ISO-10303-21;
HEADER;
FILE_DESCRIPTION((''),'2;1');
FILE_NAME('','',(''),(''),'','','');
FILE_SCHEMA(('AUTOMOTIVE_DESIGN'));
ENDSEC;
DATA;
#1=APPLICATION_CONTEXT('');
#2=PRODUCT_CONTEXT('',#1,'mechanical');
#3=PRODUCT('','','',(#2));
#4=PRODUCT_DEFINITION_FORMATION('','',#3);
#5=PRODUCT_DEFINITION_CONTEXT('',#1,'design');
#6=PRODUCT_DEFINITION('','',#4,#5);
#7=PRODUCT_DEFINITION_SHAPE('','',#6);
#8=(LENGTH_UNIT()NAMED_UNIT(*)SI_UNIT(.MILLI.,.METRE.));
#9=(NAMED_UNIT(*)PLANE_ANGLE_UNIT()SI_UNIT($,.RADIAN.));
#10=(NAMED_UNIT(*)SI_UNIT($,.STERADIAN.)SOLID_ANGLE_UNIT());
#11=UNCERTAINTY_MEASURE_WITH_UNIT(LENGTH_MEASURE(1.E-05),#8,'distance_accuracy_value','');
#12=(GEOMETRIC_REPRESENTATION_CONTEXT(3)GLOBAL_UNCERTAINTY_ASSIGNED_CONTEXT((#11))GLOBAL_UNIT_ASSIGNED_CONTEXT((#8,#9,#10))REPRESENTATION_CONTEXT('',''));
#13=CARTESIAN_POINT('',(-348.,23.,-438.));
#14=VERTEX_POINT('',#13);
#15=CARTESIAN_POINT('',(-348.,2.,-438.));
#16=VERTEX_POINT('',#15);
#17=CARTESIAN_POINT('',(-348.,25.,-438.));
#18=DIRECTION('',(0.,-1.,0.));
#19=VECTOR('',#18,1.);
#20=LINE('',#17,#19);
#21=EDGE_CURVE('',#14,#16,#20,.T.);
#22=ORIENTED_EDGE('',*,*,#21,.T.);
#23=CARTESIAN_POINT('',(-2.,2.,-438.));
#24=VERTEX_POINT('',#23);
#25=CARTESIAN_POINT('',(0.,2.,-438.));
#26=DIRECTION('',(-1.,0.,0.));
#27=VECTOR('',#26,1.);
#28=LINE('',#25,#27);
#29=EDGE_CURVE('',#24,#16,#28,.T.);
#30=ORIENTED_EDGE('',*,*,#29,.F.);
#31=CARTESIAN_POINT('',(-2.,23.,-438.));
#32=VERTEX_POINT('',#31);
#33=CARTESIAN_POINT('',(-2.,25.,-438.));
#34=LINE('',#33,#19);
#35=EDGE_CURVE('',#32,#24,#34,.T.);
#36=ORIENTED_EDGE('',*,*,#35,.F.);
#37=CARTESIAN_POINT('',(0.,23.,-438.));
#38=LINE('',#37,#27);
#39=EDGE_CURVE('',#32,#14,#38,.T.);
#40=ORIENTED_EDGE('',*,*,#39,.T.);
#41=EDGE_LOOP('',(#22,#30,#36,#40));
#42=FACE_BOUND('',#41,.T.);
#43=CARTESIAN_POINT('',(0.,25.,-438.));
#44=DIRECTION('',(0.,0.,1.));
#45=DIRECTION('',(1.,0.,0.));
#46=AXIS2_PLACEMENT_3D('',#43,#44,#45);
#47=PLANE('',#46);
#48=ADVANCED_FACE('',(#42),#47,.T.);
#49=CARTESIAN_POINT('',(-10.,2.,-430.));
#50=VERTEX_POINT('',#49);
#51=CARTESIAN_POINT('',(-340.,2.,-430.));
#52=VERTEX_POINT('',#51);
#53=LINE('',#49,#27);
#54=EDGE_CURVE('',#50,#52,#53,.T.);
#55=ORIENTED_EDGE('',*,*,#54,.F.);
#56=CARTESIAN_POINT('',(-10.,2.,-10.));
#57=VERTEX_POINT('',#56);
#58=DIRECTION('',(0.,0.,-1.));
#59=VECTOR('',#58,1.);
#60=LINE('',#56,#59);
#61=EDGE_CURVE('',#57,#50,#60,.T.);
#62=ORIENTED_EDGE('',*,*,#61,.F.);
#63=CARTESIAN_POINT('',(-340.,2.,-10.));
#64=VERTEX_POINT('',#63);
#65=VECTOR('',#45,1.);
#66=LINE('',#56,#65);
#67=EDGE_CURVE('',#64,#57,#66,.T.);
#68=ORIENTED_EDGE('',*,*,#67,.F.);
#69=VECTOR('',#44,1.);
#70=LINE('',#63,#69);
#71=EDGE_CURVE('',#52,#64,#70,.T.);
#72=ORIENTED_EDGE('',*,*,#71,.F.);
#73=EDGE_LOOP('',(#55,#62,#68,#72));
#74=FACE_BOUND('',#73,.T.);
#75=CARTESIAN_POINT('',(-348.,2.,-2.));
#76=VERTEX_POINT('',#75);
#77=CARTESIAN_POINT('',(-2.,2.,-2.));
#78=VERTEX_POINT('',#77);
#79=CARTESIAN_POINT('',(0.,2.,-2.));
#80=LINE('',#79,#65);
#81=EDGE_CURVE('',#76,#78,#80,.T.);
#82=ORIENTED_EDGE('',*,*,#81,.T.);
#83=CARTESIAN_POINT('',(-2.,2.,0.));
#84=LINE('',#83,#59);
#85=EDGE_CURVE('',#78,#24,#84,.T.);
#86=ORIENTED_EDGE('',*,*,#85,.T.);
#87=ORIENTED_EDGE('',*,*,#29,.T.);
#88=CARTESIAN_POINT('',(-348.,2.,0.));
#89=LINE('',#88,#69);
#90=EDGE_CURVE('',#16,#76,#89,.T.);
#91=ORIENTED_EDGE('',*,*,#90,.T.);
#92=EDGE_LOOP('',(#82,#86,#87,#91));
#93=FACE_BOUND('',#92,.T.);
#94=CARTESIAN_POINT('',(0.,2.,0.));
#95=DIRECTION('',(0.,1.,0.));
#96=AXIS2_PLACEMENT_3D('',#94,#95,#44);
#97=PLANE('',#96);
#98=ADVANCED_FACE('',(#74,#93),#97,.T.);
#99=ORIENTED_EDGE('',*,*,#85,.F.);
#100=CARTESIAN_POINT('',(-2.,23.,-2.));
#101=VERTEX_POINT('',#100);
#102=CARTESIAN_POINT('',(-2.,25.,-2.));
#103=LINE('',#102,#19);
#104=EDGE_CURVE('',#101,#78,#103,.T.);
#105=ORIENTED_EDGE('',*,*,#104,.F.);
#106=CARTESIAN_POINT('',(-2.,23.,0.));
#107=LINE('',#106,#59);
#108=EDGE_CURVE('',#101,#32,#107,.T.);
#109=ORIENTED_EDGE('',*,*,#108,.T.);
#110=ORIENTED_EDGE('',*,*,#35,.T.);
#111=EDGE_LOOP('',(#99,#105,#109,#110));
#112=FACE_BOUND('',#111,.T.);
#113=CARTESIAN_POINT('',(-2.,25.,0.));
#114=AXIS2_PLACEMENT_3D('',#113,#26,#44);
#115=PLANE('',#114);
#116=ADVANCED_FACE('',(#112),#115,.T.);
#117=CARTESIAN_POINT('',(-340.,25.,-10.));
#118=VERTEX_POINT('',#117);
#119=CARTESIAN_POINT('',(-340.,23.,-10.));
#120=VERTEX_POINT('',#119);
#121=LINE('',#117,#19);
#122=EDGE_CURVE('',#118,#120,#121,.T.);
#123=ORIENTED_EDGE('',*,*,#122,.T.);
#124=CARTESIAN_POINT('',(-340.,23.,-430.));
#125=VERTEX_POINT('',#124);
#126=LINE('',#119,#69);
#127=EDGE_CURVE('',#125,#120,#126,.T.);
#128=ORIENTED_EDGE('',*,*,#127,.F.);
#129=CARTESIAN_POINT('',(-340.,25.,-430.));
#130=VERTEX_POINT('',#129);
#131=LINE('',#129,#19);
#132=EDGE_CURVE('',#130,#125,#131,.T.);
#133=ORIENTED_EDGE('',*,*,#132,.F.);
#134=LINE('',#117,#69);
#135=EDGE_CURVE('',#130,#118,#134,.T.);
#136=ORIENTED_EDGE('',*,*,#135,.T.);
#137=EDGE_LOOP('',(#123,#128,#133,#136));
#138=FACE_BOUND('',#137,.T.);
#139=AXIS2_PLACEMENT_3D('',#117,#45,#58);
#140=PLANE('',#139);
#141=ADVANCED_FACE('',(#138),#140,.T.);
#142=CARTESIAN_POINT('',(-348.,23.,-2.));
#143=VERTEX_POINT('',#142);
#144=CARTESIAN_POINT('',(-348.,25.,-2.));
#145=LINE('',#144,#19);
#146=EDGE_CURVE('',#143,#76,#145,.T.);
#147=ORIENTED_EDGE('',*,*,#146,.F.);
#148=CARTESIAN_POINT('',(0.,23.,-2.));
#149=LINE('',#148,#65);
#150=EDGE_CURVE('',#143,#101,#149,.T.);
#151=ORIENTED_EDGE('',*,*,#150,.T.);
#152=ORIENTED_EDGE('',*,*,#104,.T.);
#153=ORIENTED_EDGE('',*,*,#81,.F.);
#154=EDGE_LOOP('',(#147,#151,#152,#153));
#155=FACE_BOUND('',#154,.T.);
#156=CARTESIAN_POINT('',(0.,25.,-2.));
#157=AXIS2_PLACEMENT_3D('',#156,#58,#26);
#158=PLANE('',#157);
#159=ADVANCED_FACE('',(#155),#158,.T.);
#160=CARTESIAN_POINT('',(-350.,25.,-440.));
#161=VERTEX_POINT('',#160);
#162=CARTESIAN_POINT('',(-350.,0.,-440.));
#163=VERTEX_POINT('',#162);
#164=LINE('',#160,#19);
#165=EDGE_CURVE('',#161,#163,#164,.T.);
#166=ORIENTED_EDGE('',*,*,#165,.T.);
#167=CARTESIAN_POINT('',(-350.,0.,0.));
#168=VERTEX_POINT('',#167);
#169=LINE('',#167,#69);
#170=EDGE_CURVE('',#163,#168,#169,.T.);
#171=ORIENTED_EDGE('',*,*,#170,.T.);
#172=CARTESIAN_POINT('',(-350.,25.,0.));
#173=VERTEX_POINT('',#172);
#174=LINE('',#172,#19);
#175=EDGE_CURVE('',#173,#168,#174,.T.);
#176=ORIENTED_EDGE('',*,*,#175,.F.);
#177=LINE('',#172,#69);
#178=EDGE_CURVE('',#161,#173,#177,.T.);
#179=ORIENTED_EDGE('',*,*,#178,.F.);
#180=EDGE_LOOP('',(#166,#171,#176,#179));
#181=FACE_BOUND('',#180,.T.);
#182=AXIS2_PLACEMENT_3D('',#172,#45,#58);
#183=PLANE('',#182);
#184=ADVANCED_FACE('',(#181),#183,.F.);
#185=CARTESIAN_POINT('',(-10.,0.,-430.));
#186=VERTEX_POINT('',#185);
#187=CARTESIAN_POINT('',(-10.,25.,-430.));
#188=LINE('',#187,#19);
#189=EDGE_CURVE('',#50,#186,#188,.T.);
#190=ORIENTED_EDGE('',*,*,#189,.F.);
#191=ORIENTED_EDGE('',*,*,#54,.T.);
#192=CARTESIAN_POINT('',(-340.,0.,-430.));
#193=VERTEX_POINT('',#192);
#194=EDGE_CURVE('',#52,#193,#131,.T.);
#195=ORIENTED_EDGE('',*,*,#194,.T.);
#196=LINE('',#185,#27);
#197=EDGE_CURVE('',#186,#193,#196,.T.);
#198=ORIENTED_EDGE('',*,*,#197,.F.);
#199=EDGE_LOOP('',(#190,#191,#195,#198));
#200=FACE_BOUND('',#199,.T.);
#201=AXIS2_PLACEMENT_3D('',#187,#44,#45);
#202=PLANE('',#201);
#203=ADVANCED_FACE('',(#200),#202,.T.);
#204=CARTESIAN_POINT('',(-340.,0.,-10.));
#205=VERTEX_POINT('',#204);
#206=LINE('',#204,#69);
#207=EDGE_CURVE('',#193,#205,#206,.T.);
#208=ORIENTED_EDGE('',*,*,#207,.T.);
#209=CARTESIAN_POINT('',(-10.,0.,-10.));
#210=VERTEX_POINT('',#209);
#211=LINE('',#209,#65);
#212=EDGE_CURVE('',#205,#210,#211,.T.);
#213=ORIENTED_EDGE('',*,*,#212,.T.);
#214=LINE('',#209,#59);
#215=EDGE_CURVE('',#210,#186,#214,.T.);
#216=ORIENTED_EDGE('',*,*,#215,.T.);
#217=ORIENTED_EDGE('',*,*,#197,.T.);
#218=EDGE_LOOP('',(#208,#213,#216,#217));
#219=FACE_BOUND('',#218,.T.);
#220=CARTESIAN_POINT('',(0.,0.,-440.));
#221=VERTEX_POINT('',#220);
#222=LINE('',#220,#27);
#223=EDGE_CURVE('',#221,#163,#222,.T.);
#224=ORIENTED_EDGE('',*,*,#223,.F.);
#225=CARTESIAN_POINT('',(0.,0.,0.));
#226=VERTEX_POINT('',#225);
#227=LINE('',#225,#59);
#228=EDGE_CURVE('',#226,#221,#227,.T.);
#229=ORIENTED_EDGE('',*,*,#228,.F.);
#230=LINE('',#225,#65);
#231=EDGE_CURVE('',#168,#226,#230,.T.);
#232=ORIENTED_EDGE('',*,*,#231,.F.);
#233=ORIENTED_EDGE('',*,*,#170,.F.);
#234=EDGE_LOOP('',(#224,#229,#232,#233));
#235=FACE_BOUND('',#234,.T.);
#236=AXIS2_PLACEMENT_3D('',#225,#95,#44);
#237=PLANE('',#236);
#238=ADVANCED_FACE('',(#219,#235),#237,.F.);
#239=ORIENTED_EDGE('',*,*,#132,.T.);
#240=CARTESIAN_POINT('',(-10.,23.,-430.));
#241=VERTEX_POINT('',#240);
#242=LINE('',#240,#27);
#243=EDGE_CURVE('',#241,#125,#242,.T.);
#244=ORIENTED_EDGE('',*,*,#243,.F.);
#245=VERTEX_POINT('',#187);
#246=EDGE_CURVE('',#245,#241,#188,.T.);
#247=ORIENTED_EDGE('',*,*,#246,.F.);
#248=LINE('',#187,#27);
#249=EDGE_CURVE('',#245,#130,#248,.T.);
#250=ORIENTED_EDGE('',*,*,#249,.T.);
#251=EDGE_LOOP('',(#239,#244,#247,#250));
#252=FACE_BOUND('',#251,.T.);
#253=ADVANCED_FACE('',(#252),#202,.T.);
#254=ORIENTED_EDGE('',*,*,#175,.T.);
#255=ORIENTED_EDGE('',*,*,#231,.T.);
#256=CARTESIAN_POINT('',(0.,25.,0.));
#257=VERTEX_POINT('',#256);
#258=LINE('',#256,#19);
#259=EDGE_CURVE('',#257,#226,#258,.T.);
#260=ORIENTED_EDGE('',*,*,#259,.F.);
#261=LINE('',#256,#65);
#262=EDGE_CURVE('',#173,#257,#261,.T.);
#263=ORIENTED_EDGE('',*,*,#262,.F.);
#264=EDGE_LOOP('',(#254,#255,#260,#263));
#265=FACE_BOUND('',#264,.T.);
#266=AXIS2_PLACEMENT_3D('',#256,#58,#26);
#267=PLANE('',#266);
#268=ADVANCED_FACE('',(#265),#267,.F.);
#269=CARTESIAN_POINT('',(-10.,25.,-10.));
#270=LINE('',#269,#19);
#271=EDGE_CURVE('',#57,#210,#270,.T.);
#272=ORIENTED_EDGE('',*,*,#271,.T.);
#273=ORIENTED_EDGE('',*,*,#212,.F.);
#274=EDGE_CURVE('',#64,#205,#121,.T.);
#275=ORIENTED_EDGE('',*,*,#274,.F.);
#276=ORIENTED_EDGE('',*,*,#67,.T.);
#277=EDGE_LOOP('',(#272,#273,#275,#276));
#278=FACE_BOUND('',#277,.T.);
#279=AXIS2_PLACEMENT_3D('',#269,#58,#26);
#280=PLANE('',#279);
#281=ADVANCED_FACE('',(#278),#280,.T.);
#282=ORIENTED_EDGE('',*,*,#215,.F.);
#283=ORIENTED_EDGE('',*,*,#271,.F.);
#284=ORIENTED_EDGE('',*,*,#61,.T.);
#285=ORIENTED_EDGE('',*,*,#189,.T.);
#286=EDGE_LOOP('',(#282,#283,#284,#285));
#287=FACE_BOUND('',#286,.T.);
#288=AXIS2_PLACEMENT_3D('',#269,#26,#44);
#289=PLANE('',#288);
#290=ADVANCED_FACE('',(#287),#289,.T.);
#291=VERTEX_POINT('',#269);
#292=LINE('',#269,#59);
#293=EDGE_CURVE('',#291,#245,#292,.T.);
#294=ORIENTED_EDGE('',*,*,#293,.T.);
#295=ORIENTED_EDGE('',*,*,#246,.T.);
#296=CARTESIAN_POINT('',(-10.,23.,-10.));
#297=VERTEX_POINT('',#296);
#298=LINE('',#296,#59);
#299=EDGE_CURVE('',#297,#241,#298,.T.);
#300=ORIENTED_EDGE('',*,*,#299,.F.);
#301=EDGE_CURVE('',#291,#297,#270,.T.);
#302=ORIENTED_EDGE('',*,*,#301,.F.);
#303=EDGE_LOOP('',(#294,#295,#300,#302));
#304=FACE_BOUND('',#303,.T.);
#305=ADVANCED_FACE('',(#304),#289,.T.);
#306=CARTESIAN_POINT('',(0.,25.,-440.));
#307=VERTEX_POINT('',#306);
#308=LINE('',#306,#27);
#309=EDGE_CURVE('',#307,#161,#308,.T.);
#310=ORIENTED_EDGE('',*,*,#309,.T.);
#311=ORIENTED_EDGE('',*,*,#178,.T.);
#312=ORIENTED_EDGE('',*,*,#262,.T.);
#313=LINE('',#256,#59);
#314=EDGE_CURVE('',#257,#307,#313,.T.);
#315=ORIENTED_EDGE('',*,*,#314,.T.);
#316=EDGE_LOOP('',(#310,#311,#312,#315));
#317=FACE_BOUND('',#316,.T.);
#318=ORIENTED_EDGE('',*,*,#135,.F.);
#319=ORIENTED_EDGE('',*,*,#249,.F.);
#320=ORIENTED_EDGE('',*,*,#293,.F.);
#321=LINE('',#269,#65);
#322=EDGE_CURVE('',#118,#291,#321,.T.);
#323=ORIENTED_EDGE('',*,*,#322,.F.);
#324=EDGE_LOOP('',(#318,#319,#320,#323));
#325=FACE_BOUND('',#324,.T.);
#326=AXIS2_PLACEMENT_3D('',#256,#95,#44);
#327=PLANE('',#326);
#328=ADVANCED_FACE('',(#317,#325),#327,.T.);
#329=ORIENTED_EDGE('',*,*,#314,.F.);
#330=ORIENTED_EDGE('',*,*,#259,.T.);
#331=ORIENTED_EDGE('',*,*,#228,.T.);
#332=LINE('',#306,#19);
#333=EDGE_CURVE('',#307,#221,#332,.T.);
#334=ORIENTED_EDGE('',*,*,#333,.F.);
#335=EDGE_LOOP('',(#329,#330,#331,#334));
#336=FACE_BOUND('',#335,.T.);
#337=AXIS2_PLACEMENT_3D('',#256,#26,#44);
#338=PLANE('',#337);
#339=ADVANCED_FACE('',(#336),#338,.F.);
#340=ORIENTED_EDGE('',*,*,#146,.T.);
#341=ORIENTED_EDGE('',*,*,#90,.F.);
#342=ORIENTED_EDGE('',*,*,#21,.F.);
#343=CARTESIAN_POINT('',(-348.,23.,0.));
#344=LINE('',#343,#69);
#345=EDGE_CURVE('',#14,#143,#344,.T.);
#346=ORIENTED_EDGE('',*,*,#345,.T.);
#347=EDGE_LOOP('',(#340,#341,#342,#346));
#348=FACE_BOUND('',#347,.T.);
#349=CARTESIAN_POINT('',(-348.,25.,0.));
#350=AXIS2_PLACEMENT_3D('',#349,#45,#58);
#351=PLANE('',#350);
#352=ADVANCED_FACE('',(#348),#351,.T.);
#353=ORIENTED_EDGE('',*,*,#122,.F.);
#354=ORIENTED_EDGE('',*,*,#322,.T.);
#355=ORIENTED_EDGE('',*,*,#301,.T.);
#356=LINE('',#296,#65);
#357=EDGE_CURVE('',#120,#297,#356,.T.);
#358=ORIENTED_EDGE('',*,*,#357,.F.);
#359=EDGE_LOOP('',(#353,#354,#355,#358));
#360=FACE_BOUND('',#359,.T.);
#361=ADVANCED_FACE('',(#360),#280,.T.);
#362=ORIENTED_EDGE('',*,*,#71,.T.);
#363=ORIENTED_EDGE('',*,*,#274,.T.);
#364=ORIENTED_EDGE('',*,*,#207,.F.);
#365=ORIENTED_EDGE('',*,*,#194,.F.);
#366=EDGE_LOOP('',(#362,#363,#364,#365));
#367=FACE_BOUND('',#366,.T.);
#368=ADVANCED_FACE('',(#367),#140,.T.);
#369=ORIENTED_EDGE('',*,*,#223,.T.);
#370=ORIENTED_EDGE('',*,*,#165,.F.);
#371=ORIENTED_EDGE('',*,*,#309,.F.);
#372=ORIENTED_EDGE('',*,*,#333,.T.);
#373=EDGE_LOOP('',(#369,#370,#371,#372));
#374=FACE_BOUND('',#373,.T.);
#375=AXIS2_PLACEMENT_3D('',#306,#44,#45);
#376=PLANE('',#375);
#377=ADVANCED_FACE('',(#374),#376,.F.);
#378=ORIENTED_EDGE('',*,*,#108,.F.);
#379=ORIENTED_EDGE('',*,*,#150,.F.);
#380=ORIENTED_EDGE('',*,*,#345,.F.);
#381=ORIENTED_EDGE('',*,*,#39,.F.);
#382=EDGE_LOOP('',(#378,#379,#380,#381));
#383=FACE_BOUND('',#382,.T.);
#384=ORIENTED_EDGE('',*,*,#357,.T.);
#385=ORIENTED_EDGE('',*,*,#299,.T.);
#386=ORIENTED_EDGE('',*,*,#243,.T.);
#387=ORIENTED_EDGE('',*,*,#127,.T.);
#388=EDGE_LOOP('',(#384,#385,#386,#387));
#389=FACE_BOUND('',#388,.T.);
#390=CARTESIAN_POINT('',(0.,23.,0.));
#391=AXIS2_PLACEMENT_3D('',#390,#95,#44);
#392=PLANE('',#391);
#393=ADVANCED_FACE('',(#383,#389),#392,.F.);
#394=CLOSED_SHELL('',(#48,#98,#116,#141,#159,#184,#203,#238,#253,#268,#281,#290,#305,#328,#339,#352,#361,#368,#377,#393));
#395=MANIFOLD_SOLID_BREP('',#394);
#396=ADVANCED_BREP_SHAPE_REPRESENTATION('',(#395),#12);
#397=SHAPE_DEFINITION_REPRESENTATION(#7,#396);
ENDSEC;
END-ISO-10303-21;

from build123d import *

# Parameters (mm, degrees)
SKETCH1_W           = 350
SKETCH1_H           = 440
SKETCH1_W_2         = 330
SKETCH1_H_2         = 420
BOSS_EXTRUDE1_DEPTH = 25
SHELL1_T            = -2


with BuildPart() as part:
    # Sketch1 → Boss-Extrude1 (new body)
    with BuildSketch(Plane(origin=(0, 0, 0), x_dir=(1, 0, 0), z_dir=(0, 1, 0))):
        with Locations((-175, 220)):
            Rectangle(SKETCH1_W, SKETCH1_H)
        with Locations((-175, 220)):
            Rectangle(SKETCH1_W_2, SKETCH1_H_2, mode=Mode.SUBTRACT)
    extrude(amount=BOSS_EXTRUDE1_DEPTH)

    # Shell1
    shell1_openings = [part.faces().sort_by_distance(p)[0] for p in [
        (-175, 12.5, -10),
        (-10, 12.5, -220),
        (-175, 12.5, -430),
        (-340, 12.5, -220),
    ]]
    offset(amount=SHELL1_T, openings=shell1_openings, kind=Kind.INTERSECTION)


solid = part.part
